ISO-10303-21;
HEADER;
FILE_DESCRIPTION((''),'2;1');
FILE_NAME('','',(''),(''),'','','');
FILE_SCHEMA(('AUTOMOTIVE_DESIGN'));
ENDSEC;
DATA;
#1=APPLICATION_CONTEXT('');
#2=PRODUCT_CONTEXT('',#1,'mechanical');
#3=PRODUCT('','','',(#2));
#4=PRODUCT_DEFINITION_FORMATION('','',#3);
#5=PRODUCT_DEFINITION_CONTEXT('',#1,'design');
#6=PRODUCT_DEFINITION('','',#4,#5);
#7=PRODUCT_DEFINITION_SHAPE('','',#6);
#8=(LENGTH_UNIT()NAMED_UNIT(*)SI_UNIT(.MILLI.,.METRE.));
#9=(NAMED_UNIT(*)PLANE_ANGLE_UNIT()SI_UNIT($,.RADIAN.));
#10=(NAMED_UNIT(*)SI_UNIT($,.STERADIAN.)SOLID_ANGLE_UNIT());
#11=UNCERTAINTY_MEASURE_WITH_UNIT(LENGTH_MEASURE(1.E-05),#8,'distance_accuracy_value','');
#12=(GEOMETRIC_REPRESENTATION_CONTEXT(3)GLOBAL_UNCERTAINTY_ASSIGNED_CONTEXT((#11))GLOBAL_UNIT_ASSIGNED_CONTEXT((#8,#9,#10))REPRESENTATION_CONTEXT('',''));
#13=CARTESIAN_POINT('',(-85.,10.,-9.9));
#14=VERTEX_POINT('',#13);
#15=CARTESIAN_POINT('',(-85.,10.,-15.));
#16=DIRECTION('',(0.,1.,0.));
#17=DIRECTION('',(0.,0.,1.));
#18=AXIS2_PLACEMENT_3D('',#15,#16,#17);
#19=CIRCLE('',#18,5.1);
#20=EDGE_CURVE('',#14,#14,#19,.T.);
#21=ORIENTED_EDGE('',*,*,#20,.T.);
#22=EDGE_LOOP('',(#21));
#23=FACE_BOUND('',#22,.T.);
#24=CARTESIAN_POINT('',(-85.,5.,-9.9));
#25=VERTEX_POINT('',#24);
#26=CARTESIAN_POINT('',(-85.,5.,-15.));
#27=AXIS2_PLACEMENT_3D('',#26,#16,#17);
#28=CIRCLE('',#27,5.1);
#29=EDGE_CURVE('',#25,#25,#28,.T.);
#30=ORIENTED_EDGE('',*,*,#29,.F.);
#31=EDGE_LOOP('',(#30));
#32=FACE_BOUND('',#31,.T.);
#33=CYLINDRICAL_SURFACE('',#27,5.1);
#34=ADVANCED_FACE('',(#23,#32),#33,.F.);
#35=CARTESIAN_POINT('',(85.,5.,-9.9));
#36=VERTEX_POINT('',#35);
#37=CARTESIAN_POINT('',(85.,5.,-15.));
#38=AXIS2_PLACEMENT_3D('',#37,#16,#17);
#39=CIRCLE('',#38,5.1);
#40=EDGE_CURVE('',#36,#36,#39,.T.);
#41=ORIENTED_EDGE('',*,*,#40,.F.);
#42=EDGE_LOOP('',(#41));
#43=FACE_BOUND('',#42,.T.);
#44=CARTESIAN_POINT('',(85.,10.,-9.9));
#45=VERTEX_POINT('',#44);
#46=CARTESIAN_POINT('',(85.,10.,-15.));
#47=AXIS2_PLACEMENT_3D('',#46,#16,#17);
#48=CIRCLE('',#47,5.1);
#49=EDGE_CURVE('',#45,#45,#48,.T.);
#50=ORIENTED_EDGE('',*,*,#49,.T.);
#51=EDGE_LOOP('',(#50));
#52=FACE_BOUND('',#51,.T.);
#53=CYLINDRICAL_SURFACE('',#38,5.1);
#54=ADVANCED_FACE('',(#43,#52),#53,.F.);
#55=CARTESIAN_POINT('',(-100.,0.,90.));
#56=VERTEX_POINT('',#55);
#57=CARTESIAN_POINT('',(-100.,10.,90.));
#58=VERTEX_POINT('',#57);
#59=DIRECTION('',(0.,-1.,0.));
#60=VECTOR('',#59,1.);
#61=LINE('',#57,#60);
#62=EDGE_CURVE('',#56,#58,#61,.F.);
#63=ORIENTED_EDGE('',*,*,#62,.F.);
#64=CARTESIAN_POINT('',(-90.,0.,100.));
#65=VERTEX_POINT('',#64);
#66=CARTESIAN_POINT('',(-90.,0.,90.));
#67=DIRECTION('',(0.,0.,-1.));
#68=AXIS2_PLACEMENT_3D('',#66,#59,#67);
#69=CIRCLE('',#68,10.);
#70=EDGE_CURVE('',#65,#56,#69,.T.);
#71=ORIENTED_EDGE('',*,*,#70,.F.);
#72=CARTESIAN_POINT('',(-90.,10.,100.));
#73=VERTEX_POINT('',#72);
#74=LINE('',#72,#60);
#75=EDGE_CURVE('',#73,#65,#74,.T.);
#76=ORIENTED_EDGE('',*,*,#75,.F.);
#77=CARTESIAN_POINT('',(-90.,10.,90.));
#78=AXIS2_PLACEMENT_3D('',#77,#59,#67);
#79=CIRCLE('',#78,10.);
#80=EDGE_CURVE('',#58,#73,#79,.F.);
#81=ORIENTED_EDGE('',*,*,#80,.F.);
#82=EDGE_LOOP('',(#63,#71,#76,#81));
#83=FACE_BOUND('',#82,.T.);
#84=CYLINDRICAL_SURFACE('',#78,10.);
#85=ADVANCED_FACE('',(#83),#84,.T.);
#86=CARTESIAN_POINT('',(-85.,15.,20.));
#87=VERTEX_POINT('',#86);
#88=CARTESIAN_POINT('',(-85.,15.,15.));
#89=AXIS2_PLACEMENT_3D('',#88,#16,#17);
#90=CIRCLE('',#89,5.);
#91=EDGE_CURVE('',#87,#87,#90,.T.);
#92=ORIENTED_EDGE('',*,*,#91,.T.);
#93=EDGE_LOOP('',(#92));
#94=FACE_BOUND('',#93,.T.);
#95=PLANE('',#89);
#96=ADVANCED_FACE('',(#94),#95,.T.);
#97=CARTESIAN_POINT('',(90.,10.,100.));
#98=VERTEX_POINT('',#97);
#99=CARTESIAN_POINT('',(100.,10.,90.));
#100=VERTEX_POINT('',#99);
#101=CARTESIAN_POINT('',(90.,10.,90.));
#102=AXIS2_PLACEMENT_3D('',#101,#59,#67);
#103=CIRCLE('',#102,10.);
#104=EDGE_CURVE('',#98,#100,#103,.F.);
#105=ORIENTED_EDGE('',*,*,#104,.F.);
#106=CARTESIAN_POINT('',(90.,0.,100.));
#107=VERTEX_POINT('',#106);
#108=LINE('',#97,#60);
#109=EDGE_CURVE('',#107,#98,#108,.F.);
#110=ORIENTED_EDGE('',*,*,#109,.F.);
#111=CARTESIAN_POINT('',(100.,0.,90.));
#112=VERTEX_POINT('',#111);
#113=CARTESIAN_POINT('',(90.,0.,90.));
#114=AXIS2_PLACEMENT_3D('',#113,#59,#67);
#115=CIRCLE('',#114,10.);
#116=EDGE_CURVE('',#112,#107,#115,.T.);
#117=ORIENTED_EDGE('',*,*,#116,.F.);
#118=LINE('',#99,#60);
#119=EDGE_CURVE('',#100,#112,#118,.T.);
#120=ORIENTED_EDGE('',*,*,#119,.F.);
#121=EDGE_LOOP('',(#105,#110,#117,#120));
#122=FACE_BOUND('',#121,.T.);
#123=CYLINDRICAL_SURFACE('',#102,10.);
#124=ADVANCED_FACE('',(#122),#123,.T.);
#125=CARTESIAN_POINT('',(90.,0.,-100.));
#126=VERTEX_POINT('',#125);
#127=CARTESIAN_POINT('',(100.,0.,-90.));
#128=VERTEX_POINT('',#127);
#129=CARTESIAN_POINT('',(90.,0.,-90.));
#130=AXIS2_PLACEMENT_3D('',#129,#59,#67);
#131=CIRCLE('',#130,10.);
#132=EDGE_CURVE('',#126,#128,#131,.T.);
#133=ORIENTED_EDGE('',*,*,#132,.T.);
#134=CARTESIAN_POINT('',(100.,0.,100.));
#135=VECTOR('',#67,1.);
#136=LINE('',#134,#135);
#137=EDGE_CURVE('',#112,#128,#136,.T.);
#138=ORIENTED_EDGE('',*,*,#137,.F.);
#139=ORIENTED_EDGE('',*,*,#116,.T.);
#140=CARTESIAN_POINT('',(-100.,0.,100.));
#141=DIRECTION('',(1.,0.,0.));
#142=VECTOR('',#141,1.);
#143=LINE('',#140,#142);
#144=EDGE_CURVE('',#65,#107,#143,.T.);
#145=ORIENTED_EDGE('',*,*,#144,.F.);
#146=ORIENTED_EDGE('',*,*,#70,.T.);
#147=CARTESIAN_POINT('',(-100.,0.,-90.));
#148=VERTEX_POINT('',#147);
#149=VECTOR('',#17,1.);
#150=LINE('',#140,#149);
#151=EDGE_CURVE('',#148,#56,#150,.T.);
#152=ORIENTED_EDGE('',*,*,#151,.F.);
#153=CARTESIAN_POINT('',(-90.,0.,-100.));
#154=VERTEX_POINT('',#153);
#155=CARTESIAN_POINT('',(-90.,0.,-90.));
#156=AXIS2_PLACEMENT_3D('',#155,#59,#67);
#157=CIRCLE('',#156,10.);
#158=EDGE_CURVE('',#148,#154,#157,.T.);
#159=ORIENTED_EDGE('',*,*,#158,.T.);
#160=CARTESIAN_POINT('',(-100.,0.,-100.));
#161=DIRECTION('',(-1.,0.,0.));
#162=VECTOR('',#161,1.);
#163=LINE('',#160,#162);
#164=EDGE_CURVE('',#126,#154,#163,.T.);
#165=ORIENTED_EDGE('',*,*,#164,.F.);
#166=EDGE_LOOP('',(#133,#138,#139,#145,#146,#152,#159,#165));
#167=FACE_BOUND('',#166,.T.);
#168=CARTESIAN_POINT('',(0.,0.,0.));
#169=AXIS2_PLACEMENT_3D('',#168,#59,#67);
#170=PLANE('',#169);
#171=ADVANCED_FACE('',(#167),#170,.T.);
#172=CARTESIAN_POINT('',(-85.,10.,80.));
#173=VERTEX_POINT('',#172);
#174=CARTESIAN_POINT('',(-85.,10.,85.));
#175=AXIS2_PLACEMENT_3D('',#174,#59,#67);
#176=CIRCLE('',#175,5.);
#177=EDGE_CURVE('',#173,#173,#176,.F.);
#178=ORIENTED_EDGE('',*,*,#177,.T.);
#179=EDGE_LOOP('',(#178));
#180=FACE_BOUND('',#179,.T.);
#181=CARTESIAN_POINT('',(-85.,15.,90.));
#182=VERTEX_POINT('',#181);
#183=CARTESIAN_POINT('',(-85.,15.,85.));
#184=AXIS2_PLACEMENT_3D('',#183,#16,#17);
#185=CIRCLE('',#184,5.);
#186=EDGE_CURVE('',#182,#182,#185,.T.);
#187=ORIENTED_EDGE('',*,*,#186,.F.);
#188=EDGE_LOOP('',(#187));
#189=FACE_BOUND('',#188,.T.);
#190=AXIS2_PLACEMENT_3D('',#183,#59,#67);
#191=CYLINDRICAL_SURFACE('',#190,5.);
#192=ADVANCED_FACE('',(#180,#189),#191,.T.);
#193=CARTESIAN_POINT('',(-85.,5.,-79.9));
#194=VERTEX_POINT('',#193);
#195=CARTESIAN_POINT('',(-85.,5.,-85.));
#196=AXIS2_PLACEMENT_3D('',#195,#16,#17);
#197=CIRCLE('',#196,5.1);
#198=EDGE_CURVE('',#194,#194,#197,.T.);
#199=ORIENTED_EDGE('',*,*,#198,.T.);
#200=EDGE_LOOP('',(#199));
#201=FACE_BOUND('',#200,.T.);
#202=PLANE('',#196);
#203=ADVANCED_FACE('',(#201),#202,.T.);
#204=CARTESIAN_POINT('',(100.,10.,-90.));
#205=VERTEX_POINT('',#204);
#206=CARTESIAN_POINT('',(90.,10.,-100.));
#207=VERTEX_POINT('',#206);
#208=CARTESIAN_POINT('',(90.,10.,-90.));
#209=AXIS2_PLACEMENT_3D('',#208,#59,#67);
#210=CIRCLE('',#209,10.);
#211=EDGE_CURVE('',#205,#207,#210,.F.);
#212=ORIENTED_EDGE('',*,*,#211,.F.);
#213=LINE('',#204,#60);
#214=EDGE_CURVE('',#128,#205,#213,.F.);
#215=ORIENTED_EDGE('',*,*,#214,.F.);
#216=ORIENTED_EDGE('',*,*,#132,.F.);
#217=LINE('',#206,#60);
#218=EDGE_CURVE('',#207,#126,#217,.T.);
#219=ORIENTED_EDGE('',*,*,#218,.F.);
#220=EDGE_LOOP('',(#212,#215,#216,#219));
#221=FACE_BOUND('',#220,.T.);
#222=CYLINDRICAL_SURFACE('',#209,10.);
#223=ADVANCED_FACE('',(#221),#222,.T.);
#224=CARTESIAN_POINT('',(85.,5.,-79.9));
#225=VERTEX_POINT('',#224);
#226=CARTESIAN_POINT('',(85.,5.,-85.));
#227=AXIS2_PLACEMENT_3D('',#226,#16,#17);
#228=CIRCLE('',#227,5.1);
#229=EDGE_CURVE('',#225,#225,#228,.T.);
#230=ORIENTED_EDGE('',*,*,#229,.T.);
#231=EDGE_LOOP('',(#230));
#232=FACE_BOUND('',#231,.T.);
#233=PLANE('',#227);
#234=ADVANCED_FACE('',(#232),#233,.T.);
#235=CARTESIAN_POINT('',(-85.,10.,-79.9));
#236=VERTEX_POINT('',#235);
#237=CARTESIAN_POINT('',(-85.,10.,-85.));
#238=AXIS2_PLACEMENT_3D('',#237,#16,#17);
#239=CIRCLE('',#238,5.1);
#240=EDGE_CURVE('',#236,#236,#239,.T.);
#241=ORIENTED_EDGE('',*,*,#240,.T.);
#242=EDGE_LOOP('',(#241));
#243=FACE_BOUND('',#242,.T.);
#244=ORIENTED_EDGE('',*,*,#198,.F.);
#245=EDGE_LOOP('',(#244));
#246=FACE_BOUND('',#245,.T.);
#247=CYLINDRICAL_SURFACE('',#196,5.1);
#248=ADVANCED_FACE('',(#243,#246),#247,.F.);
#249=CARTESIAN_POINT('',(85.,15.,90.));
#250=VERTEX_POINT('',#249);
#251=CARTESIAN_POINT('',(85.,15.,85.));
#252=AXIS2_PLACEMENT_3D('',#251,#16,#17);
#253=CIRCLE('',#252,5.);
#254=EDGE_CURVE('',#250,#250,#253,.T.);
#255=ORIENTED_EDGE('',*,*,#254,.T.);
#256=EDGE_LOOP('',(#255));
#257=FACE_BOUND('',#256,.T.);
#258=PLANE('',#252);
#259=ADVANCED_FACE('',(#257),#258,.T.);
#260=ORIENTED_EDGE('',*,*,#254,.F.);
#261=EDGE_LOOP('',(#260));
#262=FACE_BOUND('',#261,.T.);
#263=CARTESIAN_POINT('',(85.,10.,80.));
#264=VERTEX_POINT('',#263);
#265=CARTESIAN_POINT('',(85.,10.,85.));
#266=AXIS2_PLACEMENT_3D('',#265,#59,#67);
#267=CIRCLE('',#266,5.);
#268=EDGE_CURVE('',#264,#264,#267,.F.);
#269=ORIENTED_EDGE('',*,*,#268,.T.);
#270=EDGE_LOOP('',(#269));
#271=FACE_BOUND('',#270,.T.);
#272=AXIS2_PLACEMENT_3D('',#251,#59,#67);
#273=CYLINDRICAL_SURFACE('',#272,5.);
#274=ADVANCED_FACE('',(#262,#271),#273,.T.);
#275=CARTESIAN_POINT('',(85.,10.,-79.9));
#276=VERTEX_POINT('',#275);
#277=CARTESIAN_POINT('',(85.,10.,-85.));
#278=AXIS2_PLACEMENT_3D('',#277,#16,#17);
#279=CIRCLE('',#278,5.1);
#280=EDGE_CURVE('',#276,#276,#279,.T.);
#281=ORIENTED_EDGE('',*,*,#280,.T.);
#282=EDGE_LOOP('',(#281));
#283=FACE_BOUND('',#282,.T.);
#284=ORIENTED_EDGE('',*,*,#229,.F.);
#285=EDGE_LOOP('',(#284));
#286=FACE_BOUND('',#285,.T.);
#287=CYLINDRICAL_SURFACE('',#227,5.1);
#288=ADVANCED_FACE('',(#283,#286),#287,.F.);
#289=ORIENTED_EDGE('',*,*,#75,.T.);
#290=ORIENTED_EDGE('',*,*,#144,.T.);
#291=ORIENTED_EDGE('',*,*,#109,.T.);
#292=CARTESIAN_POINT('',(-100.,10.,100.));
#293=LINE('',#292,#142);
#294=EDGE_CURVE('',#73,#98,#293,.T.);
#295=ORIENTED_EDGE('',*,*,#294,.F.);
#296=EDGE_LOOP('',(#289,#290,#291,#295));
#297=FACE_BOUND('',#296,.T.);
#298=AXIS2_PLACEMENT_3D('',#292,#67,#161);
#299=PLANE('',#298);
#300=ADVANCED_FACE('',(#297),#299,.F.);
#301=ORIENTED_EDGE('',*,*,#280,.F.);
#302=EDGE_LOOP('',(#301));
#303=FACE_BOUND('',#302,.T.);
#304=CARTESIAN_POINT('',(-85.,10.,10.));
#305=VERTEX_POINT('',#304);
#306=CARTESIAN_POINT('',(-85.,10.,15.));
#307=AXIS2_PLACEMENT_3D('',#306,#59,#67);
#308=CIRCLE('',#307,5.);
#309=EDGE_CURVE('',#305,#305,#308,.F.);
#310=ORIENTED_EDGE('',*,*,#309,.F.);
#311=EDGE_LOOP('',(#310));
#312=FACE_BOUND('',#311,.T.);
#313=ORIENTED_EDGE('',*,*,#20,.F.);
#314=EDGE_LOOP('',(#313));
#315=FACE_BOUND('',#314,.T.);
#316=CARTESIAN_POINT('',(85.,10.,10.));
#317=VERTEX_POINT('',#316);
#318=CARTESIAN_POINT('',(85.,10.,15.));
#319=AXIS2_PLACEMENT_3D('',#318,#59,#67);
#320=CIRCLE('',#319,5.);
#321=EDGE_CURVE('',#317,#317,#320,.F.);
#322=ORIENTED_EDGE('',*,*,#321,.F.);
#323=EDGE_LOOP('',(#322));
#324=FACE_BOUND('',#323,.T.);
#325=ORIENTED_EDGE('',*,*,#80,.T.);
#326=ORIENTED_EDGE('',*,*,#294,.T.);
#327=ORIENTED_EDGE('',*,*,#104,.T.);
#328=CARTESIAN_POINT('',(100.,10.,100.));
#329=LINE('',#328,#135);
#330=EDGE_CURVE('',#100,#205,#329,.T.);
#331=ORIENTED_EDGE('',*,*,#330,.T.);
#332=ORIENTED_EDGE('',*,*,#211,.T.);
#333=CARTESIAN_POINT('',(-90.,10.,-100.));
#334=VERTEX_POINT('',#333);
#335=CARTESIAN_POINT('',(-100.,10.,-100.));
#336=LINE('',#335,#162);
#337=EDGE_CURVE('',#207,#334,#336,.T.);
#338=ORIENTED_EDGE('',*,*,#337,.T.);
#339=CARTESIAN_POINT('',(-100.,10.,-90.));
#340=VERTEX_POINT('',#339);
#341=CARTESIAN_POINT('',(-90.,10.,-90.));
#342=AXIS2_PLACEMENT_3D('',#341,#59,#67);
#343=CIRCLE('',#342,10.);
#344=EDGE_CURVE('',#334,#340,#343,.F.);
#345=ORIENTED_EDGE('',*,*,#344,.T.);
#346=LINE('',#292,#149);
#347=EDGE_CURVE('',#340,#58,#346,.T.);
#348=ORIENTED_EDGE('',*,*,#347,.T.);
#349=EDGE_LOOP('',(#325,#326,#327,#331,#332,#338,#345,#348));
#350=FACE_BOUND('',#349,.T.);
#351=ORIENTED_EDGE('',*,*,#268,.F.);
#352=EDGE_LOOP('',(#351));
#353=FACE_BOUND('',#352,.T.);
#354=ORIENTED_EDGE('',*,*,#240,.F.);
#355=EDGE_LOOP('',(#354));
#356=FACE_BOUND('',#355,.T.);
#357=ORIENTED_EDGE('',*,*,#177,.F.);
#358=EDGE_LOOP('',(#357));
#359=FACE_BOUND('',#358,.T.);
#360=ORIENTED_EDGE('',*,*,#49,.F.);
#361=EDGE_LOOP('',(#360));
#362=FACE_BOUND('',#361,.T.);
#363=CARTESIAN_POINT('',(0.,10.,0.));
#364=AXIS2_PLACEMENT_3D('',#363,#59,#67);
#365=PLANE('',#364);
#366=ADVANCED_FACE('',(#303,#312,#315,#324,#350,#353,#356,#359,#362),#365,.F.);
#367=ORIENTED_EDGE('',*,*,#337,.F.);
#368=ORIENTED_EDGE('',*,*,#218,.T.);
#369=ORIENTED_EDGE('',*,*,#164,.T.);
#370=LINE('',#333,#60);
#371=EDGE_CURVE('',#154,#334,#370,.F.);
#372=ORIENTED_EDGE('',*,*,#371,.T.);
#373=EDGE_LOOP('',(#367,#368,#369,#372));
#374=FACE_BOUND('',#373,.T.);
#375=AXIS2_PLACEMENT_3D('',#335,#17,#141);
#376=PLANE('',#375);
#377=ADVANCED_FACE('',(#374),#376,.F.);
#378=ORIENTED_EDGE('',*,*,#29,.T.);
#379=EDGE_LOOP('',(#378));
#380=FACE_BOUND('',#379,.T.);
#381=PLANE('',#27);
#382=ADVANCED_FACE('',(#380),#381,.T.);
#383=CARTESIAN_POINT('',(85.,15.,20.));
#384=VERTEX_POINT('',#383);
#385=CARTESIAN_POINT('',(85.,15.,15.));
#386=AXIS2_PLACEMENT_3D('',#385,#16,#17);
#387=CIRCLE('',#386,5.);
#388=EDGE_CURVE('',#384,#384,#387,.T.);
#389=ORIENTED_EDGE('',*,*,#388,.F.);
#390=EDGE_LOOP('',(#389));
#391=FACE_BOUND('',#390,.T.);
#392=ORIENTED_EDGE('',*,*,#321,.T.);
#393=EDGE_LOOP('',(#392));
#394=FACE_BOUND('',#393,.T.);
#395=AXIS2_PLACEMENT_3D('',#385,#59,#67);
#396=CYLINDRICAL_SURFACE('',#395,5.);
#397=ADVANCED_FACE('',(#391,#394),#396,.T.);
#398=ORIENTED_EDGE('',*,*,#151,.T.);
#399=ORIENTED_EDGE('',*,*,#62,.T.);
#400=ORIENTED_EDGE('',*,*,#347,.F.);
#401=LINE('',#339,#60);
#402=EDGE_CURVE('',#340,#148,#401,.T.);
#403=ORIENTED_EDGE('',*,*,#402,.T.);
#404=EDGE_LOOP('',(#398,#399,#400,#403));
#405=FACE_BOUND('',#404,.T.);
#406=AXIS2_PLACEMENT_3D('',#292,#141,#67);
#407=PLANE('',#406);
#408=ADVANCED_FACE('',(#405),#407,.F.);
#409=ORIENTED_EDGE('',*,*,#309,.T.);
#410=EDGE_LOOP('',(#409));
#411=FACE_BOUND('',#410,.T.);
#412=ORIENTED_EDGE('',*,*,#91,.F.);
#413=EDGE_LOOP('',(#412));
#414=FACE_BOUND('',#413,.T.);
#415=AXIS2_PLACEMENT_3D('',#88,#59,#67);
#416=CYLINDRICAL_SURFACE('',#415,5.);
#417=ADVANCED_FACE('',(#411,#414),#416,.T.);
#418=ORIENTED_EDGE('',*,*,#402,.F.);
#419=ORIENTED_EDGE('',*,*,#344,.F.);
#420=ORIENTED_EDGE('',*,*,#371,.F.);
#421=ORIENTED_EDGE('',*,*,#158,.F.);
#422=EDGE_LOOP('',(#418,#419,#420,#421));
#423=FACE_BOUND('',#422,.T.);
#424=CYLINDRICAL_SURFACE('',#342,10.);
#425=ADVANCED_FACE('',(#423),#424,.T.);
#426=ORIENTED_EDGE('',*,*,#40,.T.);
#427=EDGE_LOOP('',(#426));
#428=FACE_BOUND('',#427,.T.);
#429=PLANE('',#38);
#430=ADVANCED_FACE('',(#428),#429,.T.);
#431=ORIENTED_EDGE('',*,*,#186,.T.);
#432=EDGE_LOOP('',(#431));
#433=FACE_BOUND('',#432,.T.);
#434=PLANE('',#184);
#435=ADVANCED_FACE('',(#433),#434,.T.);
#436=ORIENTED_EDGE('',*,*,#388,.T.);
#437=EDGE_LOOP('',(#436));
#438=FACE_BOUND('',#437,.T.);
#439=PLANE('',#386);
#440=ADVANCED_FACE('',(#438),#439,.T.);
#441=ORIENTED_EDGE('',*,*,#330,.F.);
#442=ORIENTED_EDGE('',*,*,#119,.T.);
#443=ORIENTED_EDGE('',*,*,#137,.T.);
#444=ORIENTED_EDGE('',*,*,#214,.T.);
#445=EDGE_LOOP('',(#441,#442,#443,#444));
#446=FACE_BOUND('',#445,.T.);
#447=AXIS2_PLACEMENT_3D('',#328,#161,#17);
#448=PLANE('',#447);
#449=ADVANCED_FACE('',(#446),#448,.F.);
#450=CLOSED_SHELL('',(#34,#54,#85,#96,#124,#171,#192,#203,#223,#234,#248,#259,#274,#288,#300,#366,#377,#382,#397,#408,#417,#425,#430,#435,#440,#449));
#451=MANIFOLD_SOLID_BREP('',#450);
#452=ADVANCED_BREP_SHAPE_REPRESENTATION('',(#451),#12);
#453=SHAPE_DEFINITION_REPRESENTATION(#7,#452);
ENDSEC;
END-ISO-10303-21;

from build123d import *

# Parameters (mm, degrees)
SKETCH_1_W          = 200
SKETCH_1_H          = 200
EXTRUDE_1_DEPTH     = 10
SKETCH_2_R          = 5
EXTRUDE_2_DEPTH     = 5
FILLET_1_R          = 10
SKETCH_3_R          = 5.1
CUT_EXTRUDE_1_DEPTH = 5


with BuildPart() as part:
    # ｽｹｯﾁ1 → ﾎﾞｽ - 押し出し1 (new body)
    with BuildSketch(Plane(origin=(0, 0, 0), x_dir=(1, 0, 0), z_dir=(0, 1, 0))):
        Rectangle(SKETCH_1_W, SKETCH_1_H)
    extrude(amount=EXTRUDE_1_DEPTH)

    # ｽｹｯﾁ2 → ﾎﾞｽ - 押し出し2 (add)
    with BuildSketch(Plane(origin=(0, 10, 0), x_dir=(1, 0, 0), z_dir=(0, 1, 0))):
        with Locations(Location((-85, -15, 0), (0, 0, 90))):
            Circle(SKETCH_2_R)
        with Locations(Location((-85, -85, 0), (0, 0, 90))):
            Circle(SKETCH_2_R)
        with Locations(Location((85, -85, 0), (0, 0, 90))):
            Circle(SKETCH_2_R)
        with Locations(Location((85, -15, 0), (0, 0, 90))):
            Circle(SKETCH_2_R)
    extrude(amount=EXTRUDE_2_DEPTH)

    # ﾌｨﾚｯﾄ1
    fillet_1_edges = [part.edges().sort_by_distance(p)[0] for p in [
        (100, 5, 100),
        (-100, 5, 100),
        (-100, 5, -100),
        (100, 5, -100),
    ]]
    fillet(fillet_1_edges, radius=FILLET_1_R)

    # ｽｹｯﾁ3 → ｶｯﾄ - 押し出し1 (cut)
    with BuildSketch(Plane(origin=(0, 10, 0), x_dir=(1, 0, 0), z_dir=(0, 1, 0))):
        with Locations(Location((-85, 85, 0), (0, 0, 270))):
            Circle(SKETCH_3_R)
        with Locations(Location((85, 85, 0), (0, 0, 270))):
            Circle(SKETCH_3_R)
        with Locations(Location((-85, 15, 0), (0, 0, 270))):
            Circle(SKETCH_3_R)
        with Locations(Location((85, 15, 0), (0, 0, 270))):
            Circle(SKETCH_3_R)
    extrude(amount=-CUT_EXTRUDE_1_DEPTH, mode=Mode.SUBTRACT)


solid = part.part
